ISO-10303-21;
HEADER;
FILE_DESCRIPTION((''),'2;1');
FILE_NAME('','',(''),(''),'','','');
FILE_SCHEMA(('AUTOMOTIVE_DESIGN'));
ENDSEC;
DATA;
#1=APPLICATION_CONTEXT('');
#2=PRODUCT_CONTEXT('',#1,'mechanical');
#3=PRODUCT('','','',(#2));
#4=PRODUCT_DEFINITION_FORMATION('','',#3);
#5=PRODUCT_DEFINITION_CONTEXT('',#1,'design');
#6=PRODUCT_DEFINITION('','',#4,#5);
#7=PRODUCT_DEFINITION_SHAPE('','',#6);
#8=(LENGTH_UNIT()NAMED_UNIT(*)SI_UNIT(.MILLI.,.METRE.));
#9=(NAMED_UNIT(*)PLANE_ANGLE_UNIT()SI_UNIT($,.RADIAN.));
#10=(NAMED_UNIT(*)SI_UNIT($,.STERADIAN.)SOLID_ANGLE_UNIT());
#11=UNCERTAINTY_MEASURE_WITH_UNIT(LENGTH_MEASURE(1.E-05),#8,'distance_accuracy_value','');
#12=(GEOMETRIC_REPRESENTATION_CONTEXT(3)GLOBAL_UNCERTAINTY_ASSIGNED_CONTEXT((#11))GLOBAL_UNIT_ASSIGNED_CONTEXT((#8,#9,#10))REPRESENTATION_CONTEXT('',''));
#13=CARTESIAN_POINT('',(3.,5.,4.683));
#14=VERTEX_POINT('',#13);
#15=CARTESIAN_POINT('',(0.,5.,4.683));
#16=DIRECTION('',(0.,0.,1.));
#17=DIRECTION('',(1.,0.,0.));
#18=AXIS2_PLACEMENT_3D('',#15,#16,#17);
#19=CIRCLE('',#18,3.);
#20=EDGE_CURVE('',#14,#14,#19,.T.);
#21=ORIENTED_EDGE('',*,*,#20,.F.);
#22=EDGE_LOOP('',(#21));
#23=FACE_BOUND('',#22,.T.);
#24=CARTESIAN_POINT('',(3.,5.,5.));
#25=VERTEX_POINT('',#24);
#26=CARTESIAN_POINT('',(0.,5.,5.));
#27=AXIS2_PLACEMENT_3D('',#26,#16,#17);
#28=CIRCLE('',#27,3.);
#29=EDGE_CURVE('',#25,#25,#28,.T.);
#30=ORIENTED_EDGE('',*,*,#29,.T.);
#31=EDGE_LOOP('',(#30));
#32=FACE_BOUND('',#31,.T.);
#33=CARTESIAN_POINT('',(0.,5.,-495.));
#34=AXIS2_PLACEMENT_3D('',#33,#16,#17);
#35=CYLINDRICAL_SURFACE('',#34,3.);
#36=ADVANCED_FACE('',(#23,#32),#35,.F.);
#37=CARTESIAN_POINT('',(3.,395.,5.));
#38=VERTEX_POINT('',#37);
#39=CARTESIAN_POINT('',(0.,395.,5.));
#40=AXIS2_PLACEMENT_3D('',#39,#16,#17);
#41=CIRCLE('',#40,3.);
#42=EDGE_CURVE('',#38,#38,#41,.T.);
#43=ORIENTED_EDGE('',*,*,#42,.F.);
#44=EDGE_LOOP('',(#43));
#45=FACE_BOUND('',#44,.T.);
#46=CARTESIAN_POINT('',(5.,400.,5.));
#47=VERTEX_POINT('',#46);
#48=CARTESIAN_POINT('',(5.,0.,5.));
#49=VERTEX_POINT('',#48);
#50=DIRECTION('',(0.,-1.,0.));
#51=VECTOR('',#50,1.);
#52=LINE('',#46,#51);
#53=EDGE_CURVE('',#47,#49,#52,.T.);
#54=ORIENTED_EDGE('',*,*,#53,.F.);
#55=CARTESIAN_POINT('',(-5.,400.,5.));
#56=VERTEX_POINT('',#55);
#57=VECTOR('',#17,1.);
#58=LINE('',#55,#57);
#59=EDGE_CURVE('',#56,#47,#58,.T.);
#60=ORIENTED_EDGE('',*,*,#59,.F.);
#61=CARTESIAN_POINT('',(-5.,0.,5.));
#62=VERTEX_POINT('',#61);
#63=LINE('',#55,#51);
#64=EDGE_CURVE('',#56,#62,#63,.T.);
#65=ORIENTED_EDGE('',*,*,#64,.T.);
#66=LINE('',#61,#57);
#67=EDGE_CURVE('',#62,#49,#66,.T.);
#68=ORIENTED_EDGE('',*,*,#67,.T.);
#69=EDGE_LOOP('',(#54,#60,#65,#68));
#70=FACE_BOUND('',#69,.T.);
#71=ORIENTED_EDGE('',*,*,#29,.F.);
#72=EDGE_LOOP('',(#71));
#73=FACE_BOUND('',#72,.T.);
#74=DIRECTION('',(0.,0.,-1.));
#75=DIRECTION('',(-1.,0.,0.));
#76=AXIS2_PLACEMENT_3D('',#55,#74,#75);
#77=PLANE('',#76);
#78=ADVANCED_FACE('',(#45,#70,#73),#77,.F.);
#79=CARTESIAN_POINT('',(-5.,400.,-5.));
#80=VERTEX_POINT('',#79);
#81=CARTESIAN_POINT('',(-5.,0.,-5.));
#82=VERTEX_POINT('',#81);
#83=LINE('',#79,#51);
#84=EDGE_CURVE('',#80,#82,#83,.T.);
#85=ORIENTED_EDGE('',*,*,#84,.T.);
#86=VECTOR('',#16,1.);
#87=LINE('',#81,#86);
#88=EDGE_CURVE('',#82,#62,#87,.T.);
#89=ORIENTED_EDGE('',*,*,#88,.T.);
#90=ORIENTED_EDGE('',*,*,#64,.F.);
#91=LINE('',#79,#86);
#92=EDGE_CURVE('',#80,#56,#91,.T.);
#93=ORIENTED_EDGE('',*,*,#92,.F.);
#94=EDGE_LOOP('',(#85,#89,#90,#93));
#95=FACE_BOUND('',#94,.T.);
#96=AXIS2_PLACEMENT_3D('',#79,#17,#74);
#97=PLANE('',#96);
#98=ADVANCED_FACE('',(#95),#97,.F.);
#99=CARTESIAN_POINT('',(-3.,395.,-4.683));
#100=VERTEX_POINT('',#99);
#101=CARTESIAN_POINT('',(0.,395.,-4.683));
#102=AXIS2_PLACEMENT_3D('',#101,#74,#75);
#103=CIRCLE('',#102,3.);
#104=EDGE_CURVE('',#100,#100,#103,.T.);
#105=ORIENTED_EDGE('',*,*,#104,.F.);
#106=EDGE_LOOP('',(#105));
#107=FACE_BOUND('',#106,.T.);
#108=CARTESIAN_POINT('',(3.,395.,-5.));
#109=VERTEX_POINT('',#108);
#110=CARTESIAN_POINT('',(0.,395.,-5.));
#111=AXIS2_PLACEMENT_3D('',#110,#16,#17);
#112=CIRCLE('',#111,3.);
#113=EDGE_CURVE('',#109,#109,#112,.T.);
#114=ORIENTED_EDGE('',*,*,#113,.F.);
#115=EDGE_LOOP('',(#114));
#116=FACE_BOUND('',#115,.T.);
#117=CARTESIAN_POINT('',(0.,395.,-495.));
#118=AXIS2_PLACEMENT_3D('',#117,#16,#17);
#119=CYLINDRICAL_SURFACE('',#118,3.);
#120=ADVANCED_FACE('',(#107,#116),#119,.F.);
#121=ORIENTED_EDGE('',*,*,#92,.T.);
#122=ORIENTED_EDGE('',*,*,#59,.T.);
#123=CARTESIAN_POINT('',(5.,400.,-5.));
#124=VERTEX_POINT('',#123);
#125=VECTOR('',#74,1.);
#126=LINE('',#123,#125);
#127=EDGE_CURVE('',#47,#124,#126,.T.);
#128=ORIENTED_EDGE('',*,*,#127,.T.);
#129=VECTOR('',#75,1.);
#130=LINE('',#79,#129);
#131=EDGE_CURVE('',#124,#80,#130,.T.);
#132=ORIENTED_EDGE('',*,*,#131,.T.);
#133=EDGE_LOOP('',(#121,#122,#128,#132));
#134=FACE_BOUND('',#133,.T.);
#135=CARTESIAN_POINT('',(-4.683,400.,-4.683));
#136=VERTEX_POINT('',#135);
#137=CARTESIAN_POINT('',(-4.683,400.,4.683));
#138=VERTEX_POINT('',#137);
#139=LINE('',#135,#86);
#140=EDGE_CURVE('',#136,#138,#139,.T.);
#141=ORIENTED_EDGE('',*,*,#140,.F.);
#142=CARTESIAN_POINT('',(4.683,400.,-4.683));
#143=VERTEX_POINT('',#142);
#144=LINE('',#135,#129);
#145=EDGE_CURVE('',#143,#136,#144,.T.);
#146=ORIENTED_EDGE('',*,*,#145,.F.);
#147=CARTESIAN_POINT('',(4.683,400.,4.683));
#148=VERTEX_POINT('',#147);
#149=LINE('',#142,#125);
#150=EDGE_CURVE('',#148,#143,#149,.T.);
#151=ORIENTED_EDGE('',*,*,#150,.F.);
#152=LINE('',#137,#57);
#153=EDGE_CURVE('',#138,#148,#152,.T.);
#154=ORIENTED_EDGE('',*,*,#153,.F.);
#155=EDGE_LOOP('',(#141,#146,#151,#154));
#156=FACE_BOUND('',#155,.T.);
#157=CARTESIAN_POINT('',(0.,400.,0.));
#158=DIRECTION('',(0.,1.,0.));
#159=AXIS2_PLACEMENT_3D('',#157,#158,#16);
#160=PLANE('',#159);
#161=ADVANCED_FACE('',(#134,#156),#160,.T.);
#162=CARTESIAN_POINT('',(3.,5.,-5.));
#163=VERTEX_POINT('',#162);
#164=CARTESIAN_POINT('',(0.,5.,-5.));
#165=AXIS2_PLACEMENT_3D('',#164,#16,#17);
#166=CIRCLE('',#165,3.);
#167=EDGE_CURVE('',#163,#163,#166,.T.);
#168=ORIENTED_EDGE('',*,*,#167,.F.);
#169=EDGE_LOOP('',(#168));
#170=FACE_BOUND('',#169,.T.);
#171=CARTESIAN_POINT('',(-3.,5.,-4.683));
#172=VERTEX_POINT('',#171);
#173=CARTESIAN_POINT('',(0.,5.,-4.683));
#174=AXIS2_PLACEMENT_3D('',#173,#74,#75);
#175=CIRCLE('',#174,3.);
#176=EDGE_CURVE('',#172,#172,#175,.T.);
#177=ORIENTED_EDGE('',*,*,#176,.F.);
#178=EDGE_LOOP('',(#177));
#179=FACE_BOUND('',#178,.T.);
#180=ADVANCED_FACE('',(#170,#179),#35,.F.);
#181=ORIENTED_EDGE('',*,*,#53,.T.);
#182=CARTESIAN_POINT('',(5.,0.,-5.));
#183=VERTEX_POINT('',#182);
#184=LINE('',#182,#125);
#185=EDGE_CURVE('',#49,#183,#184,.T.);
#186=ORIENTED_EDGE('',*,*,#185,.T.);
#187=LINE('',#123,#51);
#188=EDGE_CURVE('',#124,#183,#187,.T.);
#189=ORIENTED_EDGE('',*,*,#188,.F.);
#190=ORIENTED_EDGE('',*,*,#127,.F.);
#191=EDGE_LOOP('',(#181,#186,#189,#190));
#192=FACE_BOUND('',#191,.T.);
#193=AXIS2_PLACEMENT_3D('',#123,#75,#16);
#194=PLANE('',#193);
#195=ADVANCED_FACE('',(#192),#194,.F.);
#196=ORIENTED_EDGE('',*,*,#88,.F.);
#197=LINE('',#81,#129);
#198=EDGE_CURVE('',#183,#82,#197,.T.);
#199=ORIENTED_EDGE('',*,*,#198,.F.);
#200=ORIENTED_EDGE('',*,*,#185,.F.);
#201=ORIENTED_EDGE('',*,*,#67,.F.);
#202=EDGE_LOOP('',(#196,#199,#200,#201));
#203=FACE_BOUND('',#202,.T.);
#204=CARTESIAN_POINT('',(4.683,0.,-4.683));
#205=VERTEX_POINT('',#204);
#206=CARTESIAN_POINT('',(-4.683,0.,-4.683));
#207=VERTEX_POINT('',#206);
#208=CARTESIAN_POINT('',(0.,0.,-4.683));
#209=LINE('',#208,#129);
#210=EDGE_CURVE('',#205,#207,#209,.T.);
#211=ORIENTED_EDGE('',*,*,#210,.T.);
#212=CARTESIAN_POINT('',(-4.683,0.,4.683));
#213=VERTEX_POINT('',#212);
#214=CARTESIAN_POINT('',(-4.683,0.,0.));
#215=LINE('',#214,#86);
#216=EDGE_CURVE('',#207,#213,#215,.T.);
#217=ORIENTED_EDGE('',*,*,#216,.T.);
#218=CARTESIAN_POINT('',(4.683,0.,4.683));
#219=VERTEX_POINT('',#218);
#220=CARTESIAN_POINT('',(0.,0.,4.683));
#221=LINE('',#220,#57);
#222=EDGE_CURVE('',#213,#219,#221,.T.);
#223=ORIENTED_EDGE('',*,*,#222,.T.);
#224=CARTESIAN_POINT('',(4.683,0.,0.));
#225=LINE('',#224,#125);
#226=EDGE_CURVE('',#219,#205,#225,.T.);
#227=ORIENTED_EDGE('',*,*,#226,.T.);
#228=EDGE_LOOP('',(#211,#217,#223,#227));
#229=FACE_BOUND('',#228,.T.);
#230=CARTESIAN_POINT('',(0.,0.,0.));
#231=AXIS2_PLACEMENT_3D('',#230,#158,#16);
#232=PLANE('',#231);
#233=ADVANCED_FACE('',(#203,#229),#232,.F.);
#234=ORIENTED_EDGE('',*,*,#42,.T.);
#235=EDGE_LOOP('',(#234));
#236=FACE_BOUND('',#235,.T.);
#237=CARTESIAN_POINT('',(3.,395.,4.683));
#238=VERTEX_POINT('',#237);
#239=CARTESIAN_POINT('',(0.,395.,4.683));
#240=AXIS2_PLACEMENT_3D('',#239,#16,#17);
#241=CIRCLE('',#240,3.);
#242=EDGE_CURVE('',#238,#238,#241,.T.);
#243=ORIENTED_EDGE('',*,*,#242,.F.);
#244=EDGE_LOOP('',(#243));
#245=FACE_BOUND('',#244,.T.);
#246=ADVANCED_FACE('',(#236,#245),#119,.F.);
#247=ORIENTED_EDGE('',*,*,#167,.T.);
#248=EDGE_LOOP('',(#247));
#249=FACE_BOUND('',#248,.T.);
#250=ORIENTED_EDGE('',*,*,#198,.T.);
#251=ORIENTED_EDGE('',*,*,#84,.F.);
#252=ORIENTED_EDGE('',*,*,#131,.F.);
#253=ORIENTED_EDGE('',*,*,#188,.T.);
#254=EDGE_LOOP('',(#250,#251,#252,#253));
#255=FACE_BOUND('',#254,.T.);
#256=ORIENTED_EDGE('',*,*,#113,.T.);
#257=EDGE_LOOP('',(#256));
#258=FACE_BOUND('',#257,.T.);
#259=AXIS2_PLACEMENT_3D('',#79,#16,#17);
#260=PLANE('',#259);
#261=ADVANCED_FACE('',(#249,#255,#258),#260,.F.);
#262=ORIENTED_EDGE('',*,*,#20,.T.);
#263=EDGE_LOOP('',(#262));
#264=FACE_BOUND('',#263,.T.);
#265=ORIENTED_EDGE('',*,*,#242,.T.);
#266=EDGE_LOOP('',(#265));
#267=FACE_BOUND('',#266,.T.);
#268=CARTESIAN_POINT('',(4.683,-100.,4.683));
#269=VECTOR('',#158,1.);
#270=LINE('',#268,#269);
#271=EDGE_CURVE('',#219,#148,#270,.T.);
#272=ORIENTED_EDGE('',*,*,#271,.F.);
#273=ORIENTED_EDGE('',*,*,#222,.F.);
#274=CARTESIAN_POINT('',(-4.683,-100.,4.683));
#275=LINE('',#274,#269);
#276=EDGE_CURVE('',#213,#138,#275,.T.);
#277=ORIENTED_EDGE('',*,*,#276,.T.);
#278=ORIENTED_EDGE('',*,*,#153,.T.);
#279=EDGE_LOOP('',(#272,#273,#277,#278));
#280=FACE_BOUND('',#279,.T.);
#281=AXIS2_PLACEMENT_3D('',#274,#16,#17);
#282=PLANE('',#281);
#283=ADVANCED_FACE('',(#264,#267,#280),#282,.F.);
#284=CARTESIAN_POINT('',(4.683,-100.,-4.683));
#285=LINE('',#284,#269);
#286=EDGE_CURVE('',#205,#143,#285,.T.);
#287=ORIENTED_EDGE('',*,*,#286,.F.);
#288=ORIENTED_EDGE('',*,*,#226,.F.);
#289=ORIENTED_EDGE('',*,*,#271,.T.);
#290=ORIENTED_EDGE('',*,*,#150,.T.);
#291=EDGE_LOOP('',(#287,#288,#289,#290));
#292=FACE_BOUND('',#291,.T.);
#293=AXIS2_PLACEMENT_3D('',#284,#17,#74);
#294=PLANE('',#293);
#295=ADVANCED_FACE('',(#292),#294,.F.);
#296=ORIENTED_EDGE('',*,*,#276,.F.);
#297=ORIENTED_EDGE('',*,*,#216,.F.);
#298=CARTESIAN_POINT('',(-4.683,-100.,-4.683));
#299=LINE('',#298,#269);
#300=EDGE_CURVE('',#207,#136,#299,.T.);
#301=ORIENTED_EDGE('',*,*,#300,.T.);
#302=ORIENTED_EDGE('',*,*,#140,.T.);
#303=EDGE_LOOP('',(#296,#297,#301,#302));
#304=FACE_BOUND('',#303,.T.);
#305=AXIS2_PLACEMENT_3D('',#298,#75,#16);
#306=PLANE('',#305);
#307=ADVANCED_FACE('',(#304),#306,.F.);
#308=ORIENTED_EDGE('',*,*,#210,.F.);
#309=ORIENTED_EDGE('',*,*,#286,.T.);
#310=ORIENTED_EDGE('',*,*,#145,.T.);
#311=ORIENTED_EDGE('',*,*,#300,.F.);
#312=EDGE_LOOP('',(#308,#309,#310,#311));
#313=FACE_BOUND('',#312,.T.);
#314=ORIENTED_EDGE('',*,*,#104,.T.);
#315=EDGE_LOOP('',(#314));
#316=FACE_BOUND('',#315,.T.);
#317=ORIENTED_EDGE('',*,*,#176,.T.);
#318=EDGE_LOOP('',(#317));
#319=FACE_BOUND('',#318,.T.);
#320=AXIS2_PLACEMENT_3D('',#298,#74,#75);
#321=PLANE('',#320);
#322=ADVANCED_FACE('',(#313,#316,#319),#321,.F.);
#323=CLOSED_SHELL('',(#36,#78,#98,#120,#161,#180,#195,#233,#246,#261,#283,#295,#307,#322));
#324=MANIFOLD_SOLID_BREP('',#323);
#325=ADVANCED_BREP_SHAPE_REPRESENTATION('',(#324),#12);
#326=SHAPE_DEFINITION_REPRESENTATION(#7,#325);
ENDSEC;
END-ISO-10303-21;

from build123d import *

# Parameters (mm, degrees)
CROQUIS1_W              = 10
CROQUIS1_H              = 10
SALIENTE_EXTRUIR1_DEPTH = 400
CROQUIS2_W              = 9.366
CROQUIS2_H              = 9.366
CORTAR_EXTRUIR1_DEPTH   = 500
CROQUIS3_R              = 3
CORTAR_EXTRUIR2_DEPTH   = 500
CROQUIS4_R              = 3
CORTAR_EXTRUIR3_DEPTH   = 500


with BuildPart() as part:
    # Croquis1 → Saliente-Extruir1 (new body)
    with BuildSketch(Plane(origin=(0, 0, 0), x_dir=(1, 0, 0), z_dir=(0, 1, 0))):
        Rectangle(CROQUIS1_W, CROQUIS1_H)
    extrude(amount=SALIENTE_EXTRUIR1_DEPTH)

    # Croquis2 → Cortar-Extruir1 (cut)
    with BuildSketch(Plane(origin=(0, 400, 0), x_dir=(1, 0, 0), z_dir=(0, 1, 0))):
        Rectangle(CROQUIS2_W, CROQUIS2_H)
    extrude(amount=-CORTAR_EXTRUIR1_DEPTH, mode=Mode.SUBTRACT)

    # Croquis3 → Cortar-Extruir2 (cut)
    with BuildSketch(Plane.XY.offset(5)):
        with Locations((0, 5)):
            Circle(CROQUIS3_R)
    extrude(amount=-CORTAR_EXTRUIR2_DEPTH, mode=Mode.SUBTRACT)

    # Croquis4 → Cortar-Extruir3 (cut)
    with BuildSketch(Plane.XY.offset(5)):
        with Locations((0, 395)):
            Circle(CROQUIS4_R)
    extrude(amount=-CORTAR_EXTRUIR3_DEPTH, mode=Mode.SUBTRACT)


solid = part.part
